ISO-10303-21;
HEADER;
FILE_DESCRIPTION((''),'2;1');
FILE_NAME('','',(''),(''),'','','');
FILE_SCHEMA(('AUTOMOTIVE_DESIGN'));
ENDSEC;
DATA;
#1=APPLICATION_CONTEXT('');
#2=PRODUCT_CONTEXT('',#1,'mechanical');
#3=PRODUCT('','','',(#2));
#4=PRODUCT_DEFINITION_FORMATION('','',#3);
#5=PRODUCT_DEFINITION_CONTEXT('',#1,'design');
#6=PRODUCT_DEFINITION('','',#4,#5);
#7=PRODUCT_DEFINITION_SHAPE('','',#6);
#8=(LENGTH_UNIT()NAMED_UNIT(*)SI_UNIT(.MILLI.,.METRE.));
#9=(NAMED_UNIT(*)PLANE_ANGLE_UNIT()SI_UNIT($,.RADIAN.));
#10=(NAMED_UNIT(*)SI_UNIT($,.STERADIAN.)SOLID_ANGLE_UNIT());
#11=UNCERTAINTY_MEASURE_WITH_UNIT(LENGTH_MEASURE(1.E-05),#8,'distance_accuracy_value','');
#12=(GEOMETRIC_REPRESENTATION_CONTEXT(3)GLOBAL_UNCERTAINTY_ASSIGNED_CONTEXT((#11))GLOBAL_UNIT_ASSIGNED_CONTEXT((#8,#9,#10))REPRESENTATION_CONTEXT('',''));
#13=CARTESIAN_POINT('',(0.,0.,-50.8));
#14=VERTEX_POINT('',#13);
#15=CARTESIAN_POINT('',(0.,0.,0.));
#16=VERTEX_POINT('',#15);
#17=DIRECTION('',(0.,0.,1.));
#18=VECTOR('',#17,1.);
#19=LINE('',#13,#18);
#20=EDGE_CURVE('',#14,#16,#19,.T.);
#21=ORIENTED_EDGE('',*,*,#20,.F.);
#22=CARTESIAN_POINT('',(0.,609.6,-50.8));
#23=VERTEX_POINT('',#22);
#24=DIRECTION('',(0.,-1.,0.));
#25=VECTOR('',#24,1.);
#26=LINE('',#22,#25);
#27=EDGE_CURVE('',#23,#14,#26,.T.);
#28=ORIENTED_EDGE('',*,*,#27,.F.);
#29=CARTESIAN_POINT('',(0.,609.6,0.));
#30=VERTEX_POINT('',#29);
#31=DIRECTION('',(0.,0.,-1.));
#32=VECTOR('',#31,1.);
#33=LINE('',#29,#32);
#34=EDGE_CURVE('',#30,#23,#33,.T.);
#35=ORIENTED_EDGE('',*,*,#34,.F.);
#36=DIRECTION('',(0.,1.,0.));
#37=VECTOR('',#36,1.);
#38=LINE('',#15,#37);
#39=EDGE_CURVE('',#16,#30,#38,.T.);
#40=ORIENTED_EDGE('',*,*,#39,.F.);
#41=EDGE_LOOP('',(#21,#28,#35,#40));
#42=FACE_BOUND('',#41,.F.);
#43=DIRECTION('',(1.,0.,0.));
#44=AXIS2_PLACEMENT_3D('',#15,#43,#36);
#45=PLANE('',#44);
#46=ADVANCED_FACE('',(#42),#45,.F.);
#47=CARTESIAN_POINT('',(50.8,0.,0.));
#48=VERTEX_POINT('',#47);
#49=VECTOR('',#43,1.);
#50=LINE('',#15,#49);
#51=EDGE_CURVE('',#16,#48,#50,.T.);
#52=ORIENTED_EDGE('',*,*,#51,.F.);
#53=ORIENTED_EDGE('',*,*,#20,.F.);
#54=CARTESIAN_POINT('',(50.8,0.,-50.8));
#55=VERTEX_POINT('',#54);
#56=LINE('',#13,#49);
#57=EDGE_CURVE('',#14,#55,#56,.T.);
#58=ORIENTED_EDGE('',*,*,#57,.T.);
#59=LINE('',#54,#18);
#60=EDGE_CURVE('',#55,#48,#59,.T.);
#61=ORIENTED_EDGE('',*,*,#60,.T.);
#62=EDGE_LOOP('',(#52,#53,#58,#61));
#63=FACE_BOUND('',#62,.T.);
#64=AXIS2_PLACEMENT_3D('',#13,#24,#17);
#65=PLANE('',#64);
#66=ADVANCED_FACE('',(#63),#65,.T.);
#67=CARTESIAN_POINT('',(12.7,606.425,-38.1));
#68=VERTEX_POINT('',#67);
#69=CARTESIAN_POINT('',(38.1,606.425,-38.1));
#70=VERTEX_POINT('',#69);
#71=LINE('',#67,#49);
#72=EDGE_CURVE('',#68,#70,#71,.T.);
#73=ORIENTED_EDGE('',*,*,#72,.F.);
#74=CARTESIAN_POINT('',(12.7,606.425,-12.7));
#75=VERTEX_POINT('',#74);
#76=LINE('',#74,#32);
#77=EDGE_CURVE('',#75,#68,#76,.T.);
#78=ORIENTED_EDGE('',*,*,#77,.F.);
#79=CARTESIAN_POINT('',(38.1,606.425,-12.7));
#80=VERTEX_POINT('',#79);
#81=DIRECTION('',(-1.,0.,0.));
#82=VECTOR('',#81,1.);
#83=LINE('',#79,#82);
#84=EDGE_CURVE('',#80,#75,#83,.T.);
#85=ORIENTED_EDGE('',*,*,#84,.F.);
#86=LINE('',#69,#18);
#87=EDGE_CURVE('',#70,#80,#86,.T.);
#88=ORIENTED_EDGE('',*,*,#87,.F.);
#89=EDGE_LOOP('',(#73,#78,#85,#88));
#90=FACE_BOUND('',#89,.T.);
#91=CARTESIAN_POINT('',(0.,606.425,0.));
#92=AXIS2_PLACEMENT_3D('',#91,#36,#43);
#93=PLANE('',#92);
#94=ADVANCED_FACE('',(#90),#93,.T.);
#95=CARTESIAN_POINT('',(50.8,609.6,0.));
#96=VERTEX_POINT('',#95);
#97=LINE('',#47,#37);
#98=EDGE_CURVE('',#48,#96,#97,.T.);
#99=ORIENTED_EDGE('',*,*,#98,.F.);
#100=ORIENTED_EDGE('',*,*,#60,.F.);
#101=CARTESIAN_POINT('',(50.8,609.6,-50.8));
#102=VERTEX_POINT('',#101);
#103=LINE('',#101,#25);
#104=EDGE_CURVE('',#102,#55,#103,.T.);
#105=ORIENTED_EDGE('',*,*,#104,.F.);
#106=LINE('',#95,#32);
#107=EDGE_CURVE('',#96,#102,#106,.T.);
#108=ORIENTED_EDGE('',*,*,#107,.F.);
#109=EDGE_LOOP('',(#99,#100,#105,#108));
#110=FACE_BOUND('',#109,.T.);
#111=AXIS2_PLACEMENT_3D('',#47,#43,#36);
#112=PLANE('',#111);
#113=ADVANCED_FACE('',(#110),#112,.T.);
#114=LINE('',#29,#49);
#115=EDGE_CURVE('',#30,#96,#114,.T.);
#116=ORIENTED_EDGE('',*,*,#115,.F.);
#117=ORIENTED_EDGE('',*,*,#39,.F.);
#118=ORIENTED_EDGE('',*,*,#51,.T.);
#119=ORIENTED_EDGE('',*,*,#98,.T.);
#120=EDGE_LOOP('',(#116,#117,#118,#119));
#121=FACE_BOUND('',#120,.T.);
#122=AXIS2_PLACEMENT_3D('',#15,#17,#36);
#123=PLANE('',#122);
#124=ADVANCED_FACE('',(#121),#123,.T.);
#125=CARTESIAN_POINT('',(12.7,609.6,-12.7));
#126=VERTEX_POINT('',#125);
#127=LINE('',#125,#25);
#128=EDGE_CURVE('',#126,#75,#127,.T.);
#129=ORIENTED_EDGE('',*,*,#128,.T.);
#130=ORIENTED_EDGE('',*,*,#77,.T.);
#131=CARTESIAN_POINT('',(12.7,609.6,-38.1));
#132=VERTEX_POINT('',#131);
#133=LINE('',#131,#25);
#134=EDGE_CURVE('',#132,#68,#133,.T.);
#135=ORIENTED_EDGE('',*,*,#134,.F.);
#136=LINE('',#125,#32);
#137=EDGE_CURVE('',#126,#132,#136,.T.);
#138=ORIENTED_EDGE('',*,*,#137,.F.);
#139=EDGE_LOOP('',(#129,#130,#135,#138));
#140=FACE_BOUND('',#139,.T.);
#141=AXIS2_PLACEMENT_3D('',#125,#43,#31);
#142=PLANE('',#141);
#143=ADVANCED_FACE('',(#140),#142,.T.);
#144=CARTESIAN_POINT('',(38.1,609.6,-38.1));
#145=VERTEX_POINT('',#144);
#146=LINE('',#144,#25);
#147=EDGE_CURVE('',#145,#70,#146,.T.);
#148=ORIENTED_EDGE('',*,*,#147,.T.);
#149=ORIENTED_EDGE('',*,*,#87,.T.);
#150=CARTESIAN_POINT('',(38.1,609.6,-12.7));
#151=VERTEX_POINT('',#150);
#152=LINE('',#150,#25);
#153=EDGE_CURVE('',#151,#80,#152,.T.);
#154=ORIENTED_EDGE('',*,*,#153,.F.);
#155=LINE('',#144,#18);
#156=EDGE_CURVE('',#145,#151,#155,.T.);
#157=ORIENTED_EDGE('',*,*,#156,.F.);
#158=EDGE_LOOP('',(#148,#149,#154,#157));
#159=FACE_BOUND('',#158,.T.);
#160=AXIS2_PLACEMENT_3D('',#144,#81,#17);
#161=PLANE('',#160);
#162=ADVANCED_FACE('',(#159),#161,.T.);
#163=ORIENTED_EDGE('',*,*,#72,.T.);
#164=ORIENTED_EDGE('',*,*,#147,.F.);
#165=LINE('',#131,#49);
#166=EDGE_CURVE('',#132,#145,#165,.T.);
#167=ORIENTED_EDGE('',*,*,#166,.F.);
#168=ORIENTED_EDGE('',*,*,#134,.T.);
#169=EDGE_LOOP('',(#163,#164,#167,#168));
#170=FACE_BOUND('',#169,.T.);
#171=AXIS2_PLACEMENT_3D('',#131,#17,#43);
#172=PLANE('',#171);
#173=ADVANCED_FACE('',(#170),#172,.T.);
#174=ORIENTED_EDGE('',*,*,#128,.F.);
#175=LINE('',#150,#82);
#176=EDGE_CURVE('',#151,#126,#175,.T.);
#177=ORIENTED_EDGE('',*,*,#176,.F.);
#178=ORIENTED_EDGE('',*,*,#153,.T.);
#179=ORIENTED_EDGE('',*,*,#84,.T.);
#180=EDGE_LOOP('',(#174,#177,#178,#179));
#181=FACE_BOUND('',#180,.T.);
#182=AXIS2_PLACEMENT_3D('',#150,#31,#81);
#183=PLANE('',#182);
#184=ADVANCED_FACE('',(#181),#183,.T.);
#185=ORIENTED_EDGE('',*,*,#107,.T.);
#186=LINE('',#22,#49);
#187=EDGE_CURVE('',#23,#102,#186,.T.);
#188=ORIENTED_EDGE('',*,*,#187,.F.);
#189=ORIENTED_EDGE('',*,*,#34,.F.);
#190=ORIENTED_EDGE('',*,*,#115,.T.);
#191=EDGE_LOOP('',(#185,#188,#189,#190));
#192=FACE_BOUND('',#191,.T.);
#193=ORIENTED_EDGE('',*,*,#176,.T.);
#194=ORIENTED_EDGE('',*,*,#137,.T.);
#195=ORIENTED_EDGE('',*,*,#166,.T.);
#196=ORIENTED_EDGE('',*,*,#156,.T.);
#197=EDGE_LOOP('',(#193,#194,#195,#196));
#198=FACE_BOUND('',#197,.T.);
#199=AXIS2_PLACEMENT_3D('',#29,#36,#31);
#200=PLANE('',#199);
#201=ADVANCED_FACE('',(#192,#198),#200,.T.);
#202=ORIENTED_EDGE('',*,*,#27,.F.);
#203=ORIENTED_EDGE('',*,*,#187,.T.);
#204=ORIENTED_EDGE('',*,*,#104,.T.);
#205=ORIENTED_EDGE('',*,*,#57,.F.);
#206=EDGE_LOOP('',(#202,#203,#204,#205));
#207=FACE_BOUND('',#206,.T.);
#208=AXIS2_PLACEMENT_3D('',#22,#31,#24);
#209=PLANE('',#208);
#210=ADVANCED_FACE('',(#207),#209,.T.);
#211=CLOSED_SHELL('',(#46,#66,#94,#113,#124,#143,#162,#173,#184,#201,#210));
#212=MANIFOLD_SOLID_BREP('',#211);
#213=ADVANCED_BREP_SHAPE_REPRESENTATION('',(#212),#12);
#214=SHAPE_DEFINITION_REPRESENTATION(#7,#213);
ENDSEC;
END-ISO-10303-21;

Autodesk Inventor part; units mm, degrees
ref_plane "YZ Plane" through (0, 0, 0) normal (1, 0, 0) x (0, 1, 0)
ref_plane "XZ Plane" through (0, 0, 0) normal (0, 1, 0) x (-1, 0, 0)
ref_plane "XY Plane" through (0, 0, 0) normal (0, 0, 1) x (1, 0, 0)
sketch "Sketch1" plane through (0, 0, 0) normal (1, 0, 0) x (0, 1, 0)
  line L0 (0, 0) -> (609.6, 0)
  line L1 (609.6, 0) -> (609.6, -50.8)
  line L2 (609.6, -50.8) -> (0, -50.8)
  line L3 (0, -50.8) -> (0, 0)
  dimension "d0" = 609.6
  dimension "d1" = 50.8
extrude "Extrusion1" add sketch "Sketch1" along normal blind 50.8
sketch "Sketch2" plane through (0, 609.6, 0) normal (0, 1, 0) x (1, 0, 0)
  line L0 (12.7, 38.1) -> (38.1, 38.1)
  line L1 (38.1, 38.1) -> (38.1, 12.7)
  line L2 (38.1, 12.7) -> (12.7, 12.7)
  line L3 (12.7, 12.7) -> (12.7, 38.1)
  line L4 (0, 0) -> (0, 50.8) projected
  line L5 (0, 50.8) -> (50.8, 50.8) projected
  dimension "d4" = 25.4
  dimension "d5" = 25.4
  dimension "d6" = 12.7
  dimension "d7" = 12.7
extrude "Extrusion2" cut sketch "Sketch2" against normal blind 3.175
properties part number "LegStandard" material "Wood (Birch)"
